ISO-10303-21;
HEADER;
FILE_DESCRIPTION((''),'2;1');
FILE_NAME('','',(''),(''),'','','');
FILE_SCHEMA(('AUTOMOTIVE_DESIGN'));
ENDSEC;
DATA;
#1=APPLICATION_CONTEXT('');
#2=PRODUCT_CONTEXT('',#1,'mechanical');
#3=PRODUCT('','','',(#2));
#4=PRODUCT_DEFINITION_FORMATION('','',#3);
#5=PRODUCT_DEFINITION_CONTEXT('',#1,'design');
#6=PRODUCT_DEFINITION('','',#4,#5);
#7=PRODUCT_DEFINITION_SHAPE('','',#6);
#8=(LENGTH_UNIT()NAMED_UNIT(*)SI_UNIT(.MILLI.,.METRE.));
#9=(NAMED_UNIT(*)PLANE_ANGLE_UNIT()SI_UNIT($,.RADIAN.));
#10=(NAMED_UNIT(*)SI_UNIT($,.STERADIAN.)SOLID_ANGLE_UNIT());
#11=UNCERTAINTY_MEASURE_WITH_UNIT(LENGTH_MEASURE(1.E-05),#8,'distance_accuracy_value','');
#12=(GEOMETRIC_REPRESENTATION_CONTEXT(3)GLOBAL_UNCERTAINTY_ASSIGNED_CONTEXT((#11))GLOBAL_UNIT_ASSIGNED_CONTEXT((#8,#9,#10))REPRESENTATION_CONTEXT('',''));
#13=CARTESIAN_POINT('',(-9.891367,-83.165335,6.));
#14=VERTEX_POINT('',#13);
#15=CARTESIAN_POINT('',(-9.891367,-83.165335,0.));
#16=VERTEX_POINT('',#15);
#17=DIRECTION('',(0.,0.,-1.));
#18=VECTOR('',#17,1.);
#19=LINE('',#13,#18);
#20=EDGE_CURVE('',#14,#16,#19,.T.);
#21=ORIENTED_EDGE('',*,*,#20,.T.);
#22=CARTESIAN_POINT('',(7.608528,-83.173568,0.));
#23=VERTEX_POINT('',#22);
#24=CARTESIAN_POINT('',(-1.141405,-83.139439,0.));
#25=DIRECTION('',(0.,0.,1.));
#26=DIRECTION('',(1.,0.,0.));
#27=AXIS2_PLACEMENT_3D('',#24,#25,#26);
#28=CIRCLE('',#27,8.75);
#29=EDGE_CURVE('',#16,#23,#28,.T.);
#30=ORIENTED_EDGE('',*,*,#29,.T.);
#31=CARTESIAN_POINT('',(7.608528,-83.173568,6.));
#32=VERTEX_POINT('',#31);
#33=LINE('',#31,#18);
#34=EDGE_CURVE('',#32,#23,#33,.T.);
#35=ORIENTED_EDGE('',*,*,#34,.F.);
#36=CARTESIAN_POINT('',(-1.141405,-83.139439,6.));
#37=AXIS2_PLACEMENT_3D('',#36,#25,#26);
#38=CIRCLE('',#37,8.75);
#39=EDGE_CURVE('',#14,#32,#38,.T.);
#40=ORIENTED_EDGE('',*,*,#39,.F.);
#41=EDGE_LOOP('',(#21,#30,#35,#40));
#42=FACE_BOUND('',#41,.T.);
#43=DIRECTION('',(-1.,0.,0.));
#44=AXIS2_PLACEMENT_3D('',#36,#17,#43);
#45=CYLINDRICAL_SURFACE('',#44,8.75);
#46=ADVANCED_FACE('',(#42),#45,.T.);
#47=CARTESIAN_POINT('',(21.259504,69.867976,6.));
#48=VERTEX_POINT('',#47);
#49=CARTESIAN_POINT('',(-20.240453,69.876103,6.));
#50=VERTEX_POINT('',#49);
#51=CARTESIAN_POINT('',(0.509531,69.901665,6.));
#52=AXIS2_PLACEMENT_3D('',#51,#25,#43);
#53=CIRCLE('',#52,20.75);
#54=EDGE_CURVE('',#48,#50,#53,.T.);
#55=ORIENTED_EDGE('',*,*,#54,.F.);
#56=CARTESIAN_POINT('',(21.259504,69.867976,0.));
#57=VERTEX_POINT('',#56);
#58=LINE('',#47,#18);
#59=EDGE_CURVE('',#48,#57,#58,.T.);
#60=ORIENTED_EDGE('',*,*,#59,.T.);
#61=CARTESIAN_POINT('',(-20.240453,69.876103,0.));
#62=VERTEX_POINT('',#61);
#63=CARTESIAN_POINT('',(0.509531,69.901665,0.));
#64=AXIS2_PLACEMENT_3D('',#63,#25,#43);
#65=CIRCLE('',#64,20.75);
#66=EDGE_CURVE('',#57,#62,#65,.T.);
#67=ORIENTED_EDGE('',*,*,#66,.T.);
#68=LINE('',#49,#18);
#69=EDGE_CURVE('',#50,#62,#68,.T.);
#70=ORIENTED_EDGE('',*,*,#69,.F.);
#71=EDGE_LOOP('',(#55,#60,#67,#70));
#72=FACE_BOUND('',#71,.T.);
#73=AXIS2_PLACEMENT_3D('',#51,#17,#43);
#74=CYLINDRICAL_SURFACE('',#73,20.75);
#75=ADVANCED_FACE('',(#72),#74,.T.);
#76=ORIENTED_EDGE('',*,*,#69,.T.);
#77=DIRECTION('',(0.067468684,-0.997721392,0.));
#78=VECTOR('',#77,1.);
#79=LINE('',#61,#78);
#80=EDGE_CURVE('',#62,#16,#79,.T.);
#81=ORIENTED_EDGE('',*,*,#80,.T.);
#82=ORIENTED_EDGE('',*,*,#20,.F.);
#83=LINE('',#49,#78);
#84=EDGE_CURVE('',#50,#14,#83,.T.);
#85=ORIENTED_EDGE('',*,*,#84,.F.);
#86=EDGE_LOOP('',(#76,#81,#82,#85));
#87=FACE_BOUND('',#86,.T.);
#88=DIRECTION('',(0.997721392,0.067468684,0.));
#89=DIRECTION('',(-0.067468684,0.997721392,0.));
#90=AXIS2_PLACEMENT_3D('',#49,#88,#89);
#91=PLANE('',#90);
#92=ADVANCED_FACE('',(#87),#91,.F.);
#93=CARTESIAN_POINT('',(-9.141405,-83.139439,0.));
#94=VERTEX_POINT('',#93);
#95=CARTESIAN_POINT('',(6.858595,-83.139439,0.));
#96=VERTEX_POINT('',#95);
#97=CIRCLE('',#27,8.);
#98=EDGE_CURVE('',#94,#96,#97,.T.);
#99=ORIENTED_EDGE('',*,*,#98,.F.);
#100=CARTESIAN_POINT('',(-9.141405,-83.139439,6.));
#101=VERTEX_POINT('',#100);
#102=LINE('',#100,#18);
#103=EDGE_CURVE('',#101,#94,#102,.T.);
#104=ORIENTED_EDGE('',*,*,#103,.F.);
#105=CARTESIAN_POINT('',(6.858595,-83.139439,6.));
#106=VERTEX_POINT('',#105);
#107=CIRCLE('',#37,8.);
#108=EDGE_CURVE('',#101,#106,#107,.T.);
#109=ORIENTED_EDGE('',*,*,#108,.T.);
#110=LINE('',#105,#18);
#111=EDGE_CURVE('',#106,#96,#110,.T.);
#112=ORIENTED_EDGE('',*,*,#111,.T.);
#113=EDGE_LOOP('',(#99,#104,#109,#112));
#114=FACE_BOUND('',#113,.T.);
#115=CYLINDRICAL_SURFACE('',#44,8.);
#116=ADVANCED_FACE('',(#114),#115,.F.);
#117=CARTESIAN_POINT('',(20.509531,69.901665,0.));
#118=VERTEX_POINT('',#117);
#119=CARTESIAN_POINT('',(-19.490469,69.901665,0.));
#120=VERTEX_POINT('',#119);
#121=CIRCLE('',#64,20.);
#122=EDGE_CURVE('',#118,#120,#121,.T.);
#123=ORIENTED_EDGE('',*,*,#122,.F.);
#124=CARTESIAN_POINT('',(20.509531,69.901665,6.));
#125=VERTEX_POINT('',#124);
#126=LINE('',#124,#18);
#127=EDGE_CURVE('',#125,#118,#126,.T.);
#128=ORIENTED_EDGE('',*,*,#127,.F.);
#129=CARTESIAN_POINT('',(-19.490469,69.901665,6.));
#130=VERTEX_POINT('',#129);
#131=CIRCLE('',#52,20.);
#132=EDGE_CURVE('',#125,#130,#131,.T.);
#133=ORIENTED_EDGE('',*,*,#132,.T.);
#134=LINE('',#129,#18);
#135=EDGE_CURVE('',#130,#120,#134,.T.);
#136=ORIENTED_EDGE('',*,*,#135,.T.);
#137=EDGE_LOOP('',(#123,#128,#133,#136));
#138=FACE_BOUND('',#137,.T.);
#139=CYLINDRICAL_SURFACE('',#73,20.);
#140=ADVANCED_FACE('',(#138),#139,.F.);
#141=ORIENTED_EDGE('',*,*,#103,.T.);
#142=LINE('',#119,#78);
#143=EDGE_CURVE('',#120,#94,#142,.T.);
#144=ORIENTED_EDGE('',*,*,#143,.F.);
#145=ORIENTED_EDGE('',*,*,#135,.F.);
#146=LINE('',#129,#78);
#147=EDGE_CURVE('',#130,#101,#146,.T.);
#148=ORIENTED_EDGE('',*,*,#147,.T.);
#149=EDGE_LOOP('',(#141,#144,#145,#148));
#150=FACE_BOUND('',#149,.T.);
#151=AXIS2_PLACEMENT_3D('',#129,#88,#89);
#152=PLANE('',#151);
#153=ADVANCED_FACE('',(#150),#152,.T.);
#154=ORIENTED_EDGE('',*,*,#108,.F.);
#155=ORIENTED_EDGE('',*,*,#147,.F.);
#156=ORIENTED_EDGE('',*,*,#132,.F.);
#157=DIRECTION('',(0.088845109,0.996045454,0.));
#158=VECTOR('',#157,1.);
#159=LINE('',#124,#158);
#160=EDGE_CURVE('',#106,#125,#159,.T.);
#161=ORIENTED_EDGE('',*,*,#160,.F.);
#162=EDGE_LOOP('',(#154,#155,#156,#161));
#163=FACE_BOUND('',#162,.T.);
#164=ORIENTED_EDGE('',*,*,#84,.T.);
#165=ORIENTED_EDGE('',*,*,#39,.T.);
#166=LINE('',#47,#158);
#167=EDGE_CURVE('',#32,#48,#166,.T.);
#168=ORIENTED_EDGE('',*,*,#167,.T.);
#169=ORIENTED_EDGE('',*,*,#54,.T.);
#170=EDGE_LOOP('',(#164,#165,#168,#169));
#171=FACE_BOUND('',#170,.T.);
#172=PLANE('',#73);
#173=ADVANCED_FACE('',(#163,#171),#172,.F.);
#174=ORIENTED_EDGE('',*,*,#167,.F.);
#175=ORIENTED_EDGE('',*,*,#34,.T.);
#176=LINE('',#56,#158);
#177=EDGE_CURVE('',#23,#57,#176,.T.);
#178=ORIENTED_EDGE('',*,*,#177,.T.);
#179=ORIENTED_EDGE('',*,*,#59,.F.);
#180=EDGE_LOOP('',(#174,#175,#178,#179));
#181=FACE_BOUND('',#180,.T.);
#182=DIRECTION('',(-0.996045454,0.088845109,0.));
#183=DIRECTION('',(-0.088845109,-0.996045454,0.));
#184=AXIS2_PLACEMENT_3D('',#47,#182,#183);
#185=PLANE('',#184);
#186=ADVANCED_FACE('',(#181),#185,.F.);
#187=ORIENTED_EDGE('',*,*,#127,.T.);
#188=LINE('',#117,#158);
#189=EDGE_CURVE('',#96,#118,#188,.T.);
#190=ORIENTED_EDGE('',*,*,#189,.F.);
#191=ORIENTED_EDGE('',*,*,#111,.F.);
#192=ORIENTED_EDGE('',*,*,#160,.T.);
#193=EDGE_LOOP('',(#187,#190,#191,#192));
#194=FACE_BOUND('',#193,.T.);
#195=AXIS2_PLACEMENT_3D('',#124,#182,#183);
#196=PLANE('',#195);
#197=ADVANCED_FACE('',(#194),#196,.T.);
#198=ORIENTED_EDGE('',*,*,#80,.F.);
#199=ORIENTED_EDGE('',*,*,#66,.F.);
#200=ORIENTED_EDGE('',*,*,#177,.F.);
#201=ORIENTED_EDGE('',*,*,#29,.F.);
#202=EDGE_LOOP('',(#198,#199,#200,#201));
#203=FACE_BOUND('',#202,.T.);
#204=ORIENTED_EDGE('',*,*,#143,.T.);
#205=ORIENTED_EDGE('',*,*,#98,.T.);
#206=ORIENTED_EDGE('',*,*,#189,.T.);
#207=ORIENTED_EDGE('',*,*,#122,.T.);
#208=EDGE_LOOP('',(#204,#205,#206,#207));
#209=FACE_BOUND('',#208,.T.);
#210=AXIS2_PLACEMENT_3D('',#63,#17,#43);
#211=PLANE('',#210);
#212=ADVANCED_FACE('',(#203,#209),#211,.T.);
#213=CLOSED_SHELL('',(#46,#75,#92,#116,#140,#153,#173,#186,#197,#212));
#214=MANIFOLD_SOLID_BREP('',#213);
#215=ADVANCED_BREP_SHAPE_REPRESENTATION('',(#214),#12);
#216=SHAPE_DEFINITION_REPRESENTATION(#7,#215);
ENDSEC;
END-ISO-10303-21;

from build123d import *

# Parameters (mm, degrees)
BOSS_EXTRUDE1_DEPTH = 6


with BuildPart() as part:
    # Sketch2 → Boss-Extrude1 (new body)
    with BuildSketch(Plane.XY):
        with BuildLine():
            Line((-20.240452895, 69.876102658), (-9.891367068, -83.165334843))
            ThreePointArc((-9.891367068, -83.165334843), (-1.145521826, -91.88943757), (7.608528051, -83.173567669))
            Line((7.608528051, -83.173567669), (21.259504011, 69.867975582))
            ThreePointArc((21.259504011, 69.867975582), (0.513594902, 90.651664718), (-20.240452895, 69.876102658))
        make_face()
        with BuildLine():
            Line((-19.49046864, 69.901665116), (-9.141405389, -83.139438539))
            ThreePointArc((-9.141405389, -83.139438539), (-1.141405389, -91.139438539), (6.858594611, -83.139438539))
            Line((6.858594611, -83.139438539), (20.50953136, 69.901665116))
            ThreePointArc((20.50953136, 69.901665116), (0.50953136, 89.901665116), (-19.49046864, 69.901665116))
        make_face(mode=Mode.SUBTRACT)
    extrude(amount=BOSS_EXTRUDE1_DEPTH)


solid = part.part
